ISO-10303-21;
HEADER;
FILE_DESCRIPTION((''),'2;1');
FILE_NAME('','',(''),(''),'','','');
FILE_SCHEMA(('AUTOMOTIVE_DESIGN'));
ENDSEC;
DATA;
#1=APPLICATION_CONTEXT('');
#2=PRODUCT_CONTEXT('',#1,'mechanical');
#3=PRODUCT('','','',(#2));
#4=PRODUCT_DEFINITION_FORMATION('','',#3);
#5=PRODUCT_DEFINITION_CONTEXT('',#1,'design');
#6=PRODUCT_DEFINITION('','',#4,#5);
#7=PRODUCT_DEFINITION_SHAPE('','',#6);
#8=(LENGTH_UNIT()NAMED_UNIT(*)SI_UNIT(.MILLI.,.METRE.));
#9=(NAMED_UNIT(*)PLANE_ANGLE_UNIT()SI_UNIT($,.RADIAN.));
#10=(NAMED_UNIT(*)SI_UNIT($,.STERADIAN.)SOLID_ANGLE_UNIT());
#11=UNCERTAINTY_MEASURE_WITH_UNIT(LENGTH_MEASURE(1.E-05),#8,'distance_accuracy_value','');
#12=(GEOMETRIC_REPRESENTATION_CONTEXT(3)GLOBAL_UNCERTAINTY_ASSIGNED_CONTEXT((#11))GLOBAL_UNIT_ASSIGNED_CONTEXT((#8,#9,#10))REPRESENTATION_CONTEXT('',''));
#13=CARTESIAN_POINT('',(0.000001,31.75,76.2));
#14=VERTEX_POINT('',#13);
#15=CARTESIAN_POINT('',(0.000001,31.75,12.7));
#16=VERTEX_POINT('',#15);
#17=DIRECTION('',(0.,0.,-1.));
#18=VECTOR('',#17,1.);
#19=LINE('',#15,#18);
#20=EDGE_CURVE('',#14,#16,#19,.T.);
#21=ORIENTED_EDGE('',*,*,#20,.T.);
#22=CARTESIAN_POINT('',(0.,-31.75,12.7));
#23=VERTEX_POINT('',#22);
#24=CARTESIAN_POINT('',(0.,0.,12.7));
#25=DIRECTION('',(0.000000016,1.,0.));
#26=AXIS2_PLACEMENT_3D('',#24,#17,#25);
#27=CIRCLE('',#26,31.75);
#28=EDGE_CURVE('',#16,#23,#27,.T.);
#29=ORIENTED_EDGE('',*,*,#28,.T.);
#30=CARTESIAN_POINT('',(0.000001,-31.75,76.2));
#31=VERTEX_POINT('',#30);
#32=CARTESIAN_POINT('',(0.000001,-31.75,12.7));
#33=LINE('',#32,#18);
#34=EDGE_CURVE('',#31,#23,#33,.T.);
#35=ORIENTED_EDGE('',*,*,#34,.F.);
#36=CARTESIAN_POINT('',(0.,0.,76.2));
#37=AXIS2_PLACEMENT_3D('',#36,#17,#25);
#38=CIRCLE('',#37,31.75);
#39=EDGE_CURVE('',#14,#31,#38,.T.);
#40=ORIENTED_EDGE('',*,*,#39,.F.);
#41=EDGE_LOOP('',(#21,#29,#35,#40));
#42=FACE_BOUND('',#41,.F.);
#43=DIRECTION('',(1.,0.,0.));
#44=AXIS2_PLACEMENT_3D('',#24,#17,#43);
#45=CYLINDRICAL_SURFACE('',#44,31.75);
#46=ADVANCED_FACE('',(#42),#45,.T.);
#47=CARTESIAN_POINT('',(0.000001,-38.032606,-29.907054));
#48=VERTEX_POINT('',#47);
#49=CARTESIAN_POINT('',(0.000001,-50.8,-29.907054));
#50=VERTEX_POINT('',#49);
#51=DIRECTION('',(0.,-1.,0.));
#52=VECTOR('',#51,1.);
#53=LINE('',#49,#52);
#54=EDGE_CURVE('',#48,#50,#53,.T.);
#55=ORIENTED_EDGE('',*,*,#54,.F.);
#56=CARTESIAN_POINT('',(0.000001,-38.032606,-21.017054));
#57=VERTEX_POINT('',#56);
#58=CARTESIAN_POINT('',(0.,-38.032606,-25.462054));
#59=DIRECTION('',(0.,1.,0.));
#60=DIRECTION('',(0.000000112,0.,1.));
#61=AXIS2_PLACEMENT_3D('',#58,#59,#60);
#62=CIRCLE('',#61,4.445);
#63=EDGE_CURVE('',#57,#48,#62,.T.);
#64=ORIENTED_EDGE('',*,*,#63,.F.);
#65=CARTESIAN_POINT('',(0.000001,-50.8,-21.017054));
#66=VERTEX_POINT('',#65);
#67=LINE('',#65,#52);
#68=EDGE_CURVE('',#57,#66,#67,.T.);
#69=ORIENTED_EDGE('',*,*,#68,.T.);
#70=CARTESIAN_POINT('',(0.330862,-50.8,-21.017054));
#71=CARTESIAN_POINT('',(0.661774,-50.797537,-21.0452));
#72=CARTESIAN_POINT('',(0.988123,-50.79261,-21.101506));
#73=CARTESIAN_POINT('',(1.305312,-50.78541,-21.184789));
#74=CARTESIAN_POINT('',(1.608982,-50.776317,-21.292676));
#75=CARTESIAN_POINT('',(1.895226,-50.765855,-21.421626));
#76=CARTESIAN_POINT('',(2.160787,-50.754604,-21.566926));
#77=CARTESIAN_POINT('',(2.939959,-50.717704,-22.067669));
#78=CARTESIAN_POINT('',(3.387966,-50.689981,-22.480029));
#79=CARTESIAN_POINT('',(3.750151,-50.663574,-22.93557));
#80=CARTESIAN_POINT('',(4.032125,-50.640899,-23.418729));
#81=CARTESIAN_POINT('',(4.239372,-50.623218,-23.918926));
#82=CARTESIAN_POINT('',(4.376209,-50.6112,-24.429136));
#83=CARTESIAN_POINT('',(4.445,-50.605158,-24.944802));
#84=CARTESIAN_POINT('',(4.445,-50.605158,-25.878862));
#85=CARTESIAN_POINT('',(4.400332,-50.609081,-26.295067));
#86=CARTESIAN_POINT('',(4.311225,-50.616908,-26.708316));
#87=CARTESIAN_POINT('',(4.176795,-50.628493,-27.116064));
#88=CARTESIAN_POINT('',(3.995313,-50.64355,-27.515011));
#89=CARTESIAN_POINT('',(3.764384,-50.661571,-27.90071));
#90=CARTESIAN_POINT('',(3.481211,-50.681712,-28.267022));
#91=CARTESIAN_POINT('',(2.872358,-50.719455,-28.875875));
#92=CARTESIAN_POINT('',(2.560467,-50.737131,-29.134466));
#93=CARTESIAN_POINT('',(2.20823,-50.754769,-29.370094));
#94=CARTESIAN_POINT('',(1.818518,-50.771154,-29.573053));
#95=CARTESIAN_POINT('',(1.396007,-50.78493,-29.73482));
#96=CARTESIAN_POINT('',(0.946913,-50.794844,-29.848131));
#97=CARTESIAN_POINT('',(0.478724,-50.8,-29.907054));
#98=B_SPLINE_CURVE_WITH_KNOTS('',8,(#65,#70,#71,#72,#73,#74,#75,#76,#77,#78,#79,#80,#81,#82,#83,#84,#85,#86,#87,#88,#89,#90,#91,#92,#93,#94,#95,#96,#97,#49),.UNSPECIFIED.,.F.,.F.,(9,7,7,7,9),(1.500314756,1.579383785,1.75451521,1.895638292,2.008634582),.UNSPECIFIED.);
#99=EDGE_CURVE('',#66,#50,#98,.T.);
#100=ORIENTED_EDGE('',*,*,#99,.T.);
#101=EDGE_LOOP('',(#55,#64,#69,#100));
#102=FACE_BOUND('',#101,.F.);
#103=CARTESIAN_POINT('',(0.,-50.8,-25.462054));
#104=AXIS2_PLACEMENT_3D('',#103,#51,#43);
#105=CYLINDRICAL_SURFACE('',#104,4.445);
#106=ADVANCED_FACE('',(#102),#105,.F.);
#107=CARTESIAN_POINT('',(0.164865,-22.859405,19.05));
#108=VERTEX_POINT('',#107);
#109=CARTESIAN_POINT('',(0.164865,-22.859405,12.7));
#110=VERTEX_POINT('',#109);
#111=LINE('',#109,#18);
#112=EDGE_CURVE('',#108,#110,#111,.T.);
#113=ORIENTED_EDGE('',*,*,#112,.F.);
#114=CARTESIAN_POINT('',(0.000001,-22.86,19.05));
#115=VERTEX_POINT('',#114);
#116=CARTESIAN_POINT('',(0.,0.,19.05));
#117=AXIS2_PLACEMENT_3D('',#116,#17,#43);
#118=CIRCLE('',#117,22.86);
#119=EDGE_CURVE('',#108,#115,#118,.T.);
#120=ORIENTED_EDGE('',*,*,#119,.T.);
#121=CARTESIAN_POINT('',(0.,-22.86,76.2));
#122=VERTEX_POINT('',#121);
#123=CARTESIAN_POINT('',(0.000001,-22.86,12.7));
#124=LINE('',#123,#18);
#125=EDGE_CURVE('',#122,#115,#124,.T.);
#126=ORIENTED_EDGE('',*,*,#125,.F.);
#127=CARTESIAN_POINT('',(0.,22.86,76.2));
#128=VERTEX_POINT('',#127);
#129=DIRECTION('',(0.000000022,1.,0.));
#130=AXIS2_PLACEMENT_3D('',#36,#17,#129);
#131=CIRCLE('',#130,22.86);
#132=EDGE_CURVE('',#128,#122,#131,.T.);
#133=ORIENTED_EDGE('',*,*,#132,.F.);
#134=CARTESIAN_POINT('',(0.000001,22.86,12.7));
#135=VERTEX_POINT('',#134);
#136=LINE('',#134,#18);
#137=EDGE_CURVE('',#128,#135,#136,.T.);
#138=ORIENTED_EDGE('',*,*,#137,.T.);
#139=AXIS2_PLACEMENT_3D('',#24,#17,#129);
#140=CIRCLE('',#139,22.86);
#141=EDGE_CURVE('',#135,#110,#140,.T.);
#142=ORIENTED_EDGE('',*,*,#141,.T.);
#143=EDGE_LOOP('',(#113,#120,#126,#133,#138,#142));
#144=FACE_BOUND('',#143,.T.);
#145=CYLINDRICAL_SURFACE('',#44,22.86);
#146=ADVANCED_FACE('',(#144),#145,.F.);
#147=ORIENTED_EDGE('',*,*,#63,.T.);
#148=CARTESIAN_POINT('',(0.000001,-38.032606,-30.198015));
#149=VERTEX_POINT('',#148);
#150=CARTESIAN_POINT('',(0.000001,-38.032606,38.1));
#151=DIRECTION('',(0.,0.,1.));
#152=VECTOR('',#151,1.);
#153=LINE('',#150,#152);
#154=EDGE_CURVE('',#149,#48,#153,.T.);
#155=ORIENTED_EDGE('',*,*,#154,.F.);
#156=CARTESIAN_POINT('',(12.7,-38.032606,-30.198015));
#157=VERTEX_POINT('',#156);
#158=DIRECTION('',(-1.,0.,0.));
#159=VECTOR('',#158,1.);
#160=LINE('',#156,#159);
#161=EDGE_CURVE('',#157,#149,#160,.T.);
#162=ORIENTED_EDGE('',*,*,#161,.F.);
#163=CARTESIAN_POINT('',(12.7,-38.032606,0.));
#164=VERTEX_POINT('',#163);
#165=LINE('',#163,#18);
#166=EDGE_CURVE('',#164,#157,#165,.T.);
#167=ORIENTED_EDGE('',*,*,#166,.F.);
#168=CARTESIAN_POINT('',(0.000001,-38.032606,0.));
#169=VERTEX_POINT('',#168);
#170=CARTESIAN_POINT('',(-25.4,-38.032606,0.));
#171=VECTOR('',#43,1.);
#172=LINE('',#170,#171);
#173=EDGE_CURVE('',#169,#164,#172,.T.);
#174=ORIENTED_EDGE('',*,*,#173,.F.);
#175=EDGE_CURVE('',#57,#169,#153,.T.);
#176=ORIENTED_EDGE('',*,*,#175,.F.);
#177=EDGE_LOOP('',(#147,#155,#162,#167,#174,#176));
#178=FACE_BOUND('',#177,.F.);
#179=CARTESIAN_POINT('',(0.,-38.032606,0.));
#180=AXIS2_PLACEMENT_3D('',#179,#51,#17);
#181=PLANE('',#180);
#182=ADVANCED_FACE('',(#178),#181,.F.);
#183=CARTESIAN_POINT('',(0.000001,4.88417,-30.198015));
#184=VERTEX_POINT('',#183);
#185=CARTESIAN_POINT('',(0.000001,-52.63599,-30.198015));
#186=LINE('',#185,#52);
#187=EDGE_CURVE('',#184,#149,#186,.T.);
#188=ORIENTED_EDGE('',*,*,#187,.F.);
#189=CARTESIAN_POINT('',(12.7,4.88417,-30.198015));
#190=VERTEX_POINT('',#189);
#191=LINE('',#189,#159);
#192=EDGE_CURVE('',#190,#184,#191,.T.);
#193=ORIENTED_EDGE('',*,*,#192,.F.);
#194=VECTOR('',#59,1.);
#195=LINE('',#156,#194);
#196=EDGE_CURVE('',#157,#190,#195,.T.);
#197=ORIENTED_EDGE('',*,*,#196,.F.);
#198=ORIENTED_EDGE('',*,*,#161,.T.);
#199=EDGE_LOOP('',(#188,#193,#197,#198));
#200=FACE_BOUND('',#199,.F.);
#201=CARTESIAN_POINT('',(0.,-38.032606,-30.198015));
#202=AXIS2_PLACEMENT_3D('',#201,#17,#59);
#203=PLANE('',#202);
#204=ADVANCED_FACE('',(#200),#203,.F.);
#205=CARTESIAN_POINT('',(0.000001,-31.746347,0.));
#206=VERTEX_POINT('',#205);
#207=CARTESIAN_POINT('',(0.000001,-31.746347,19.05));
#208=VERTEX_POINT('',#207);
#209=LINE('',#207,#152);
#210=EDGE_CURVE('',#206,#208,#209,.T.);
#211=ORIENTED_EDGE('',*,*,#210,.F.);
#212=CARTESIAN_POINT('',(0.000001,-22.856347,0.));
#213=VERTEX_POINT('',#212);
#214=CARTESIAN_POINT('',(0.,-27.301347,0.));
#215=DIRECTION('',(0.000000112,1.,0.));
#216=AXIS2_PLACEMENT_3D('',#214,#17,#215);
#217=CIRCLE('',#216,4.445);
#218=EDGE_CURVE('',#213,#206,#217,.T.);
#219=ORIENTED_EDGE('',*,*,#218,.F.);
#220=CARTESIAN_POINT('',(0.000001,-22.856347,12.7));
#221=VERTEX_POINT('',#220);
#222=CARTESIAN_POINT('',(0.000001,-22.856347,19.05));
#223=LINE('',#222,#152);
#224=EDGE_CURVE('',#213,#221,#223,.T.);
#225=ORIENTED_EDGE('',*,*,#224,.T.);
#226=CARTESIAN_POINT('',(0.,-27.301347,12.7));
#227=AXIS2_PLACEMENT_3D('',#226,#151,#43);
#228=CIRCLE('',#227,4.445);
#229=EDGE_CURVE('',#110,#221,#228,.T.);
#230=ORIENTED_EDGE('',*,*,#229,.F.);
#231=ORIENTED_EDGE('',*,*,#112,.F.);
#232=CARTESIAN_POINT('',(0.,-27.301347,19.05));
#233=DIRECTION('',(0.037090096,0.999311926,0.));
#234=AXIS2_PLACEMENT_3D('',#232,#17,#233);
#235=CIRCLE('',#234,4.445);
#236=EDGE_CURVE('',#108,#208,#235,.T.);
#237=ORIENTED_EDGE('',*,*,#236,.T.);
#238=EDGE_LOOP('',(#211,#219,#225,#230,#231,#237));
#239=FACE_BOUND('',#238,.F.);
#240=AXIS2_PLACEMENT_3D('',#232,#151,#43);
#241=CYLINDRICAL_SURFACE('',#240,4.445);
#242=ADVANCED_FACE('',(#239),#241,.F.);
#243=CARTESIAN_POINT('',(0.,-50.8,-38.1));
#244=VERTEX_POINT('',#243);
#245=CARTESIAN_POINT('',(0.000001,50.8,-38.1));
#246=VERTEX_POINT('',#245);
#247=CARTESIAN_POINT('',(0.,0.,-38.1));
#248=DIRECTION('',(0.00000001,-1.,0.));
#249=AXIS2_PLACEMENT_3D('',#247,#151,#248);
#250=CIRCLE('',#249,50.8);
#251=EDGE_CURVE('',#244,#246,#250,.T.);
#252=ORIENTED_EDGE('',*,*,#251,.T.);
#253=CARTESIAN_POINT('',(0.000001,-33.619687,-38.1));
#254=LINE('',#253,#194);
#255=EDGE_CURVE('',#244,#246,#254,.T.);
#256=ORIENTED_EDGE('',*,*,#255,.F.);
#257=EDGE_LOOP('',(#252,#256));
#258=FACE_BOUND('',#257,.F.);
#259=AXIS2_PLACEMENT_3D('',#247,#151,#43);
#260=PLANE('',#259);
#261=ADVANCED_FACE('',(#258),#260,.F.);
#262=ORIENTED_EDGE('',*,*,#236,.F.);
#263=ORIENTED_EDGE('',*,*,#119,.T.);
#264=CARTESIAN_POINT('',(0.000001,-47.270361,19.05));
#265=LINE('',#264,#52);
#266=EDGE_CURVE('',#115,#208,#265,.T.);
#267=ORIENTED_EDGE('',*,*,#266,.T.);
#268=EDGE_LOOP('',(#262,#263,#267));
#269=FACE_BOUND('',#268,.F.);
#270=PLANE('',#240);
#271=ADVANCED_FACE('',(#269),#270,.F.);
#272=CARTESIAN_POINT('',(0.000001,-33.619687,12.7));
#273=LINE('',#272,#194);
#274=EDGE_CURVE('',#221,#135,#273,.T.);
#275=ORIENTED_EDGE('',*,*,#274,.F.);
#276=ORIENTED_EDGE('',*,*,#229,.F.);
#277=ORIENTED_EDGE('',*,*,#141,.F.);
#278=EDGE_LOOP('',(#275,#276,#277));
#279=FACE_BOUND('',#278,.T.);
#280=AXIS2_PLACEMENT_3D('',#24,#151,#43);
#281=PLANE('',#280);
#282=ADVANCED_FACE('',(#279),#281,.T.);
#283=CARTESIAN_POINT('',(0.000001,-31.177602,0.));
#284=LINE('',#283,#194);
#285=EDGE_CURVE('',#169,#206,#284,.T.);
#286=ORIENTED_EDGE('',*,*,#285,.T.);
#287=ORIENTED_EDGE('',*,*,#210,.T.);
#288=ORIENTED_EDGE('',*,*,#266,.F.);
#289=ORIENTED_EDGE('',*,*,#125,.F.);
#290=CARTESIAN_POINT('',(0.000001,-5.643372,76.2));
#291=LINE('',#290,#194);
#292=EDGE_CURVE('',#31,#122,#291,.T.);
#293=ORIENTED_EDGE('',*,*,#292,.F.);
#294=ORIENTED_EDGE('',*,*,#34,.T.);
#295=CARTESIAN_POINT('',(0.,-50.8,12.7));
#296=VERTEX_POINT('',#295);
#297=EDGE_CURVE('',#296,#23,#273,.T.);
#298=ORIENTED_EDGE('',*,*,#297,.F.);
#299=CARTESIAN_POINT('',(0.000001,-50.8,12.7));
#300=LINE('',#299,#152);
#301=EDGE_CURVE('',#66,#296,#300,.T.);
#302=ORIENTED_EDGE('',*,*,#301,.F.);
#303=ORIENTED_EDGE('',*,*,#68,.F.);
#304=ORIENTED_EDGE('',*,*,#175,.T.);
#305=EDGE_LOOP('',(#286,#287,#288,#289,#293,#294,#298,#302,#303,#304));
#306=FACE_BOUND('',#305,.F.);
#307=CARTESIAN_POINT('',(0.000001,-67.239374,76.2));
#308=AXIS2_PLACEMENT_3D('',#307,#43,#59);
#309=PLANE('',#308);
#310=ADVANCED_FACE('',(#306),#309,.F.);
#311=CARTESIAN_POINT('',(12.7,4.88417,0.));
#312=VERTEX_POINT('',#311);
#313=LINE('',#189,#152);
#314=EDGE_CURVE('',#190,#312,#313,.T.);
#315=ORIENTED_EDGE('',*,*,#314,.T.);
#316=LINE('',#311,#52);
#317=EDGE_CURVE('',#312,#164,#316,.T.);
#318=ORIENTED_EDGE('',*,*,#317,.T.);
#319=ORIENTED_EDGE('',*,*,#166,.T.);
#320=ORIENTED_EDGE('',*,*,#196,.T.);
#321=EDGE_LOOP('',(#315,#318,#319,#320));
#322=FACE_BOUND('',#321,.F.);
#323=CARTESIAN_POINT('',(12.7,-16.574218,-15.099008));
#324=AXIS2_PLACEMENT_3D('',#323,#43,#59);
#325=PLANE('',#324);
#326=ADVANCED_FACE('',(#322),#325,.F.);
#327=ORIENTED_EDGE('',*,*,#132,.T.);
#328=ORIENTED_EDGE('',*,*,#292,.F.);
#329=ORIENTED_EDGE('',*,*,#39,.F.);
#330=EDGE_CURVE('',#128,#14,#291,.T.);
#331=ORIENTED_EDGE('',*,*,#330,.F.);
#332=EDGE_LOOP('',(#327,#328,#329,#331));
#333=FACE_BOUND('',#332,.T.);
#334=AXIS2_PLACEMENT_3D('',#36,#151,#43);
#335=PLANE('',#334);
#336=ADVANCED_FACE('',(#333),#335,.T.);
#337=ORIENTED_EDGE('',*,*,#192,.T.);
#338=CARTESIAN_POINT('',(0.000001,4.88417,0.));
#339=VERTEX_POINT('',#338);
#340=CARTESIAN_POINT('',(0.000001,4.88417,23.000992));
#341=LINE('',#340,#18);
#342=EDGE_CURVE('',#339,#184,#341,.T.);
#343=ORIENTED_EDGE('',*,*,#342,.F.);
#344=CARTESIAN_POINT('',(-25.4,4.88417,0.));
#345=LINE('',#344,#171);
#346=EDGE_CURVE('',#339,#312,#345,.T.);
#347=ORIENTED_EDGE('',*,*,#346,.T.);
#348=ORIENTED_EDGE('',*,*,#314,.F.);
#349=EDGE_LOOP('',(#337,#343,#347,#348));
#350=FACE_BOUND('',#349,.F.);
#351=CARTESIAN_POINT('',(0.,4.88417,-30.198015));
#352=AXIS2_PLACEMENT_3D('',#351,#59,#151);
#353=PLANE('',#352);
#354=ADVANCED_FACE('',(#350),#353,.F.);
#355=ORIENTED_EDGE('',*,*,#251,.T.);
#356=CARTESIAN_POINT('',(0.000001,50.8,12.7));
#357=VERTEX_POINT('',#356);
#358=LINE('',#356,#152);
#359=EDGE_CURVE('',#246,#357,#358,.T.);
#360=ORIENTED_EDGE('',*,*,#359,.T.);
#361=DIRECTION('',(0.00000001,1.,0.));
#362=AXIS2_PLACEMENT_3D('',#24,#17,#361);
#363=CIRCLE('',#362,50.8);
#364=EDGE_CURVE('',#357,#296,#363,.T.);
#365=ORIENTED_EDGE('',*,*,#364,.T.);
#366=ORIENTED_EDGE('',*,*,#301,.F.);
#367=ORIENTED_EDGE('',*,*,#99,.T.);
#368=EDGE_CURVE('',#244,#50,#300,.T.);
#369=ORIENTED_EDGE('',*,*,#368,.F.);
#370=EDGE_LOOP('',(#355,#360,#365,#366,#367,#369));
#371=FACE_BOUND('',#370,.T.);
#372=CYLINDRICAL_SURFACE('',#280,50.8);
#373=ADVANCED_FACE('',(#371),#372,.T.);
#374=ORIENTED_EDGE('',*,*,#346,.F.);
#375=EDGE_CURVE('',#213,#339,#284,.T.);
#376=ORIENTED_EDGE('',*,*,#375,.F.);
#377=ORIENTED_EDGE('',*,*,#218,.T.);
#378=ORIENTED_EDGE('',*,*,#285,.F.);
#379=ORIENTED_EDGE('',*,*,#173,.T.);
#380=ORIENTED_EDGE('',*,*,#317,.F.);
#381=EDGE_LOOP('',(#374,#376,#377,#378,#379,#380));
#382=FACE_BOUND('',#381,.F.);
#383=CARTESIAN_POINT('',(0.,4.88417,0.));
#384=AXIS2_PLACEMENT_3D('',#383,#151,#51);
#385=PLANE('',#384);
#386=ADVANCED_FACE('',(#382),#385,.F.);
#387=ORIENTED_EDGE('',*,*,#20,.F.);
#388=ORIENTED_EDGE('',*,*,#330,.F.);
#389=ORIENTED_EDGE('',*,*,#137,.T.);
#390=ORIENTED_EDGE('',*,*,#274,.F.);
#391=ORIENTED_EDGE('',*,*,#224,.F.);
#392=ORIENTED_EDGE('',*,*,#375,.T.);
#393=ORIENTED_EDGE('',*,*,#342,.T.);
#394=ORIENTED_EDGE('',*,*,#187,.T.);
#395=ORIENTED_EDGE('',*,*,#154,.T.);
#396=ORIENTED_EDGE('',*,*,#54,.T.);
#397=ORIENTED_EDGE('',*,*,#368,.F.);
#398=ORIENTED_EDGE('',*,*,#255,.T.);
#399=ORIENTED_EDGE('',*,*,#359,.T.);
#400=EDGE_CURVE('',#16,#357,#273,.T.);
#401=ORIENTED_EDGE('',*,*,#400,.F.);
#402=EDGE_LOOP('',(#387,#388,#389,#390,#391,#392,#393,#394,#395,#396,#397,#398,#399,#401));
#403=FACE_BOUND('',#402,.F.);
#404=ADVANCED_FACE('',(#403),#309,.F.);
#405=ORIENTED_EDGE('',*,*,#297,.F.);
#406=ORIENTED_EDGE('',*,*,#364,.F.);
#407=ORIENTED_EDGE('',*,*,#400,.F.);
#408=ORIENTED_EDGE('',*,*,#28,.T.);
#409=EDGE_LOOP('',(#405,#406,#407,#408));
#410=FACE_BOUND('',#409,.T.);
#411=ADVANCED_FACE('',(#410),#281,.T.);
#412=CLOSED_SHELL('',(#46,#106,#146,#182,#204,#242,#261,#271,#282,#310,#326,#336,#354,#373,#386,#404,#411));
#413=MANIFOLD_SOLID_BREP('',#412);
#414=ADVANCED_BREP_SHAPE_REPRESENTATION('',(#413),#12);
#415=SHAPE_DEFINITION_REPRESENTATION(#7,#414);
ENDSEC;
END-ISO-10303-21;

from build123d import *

# Parameters (mm, degrees)
F1_R      = 50.8
F2_DEPTH  = 50.8
F4_R      = 4.445
F5_DEPTH  = 15.24
F6_DEPTH  = 12.7
F8_DEPTH  = 12.7
F9_DEPTH  = 25.4
F10_R     = 31.75
F10_R_2   = 22.86
F11_DEPTH = 63.5
F13_W     = 63.243523
F13_H     = 123.192005
F14_DEPTH = 127
F16_R     = 4.445
F17_DEPTH = 25.4


with BuildPart() as f2:
    # F1 (on offset) → F2 (new body)
    with BuildSketch(Plane.XY.offset(12.7)):
        Circle(F1_R)
    extrude(amount=-F2_DEPTH)

    # F4 (on offset) → F5 (cut)
    with BuildSketch(Plane.XZ.offset(50.8)):
        with Locations((0, -25.462054)):
            Circle(F4_R)
    extrude(amount=-F5_DEPTH, mode=Mode.SUBTRACT)

    # F4 (on offset) → F6 (cut)
    with BuildSketch(Plane.XZ.offset(50.8)):
        with Locations((0, -25.462054)):
            Circle(F4_R)
    extrude(amount=-F6_DEPTH, mode=Mode.SUBTRACT)

    # F7 (on Right) → F8 (cut)
    with BuildSketch(Plane.YZ):
        Polygon((4.88417, -30.198015), (4.88417, 0), (-4.341668, 0), (-38.032606, 0), (-38.032606, -30.198015), align=None)
    extrude(amount=F8_DEPTH, mode=Mode.SUBTRACT)

    # F7 (on Right) → F9 (cut)
    with BuildSketch(Plane.YZ):
        Polygon((4.88417, -30.198015), (4.88417, 0), (-4.341668, 0), (-38.032606, 0), (-38.032606, -30.198015), align=None)
    extrude(amount=-F9_DEPTH, mode=Mode.SUBTRACT)

    # F10 (on offset) → F11 (join)
    with BuildSketch(Plane.XY.offset(12.7)):
        Circle(F10_R)
        Circle(F10_R_2, mode=Mode.SUBTRACT)
    extrude(amount=F11_DEPTH)

    # F13 (on offset) → F14 (cut)
    with BuildSketch(Plane.XY.offset(76.2)):
        with Locations((-31.621761, -5.643372)):
            Rectangle(F13_W, F13_H)
    extrude(amount=-F14_DEPTH, mode=Mode.SUBTRACT)

    # F16 (on offset) → F17 (cut)
    with BuildSketch(Plane.XY.offset(19.05)):
        with Locations((0, -27.301347)):
            Circle(F16_R)
    extrude(amount=-F17_DEPTH, mode=Mode.SUBTRACT)


solid = f2.part
